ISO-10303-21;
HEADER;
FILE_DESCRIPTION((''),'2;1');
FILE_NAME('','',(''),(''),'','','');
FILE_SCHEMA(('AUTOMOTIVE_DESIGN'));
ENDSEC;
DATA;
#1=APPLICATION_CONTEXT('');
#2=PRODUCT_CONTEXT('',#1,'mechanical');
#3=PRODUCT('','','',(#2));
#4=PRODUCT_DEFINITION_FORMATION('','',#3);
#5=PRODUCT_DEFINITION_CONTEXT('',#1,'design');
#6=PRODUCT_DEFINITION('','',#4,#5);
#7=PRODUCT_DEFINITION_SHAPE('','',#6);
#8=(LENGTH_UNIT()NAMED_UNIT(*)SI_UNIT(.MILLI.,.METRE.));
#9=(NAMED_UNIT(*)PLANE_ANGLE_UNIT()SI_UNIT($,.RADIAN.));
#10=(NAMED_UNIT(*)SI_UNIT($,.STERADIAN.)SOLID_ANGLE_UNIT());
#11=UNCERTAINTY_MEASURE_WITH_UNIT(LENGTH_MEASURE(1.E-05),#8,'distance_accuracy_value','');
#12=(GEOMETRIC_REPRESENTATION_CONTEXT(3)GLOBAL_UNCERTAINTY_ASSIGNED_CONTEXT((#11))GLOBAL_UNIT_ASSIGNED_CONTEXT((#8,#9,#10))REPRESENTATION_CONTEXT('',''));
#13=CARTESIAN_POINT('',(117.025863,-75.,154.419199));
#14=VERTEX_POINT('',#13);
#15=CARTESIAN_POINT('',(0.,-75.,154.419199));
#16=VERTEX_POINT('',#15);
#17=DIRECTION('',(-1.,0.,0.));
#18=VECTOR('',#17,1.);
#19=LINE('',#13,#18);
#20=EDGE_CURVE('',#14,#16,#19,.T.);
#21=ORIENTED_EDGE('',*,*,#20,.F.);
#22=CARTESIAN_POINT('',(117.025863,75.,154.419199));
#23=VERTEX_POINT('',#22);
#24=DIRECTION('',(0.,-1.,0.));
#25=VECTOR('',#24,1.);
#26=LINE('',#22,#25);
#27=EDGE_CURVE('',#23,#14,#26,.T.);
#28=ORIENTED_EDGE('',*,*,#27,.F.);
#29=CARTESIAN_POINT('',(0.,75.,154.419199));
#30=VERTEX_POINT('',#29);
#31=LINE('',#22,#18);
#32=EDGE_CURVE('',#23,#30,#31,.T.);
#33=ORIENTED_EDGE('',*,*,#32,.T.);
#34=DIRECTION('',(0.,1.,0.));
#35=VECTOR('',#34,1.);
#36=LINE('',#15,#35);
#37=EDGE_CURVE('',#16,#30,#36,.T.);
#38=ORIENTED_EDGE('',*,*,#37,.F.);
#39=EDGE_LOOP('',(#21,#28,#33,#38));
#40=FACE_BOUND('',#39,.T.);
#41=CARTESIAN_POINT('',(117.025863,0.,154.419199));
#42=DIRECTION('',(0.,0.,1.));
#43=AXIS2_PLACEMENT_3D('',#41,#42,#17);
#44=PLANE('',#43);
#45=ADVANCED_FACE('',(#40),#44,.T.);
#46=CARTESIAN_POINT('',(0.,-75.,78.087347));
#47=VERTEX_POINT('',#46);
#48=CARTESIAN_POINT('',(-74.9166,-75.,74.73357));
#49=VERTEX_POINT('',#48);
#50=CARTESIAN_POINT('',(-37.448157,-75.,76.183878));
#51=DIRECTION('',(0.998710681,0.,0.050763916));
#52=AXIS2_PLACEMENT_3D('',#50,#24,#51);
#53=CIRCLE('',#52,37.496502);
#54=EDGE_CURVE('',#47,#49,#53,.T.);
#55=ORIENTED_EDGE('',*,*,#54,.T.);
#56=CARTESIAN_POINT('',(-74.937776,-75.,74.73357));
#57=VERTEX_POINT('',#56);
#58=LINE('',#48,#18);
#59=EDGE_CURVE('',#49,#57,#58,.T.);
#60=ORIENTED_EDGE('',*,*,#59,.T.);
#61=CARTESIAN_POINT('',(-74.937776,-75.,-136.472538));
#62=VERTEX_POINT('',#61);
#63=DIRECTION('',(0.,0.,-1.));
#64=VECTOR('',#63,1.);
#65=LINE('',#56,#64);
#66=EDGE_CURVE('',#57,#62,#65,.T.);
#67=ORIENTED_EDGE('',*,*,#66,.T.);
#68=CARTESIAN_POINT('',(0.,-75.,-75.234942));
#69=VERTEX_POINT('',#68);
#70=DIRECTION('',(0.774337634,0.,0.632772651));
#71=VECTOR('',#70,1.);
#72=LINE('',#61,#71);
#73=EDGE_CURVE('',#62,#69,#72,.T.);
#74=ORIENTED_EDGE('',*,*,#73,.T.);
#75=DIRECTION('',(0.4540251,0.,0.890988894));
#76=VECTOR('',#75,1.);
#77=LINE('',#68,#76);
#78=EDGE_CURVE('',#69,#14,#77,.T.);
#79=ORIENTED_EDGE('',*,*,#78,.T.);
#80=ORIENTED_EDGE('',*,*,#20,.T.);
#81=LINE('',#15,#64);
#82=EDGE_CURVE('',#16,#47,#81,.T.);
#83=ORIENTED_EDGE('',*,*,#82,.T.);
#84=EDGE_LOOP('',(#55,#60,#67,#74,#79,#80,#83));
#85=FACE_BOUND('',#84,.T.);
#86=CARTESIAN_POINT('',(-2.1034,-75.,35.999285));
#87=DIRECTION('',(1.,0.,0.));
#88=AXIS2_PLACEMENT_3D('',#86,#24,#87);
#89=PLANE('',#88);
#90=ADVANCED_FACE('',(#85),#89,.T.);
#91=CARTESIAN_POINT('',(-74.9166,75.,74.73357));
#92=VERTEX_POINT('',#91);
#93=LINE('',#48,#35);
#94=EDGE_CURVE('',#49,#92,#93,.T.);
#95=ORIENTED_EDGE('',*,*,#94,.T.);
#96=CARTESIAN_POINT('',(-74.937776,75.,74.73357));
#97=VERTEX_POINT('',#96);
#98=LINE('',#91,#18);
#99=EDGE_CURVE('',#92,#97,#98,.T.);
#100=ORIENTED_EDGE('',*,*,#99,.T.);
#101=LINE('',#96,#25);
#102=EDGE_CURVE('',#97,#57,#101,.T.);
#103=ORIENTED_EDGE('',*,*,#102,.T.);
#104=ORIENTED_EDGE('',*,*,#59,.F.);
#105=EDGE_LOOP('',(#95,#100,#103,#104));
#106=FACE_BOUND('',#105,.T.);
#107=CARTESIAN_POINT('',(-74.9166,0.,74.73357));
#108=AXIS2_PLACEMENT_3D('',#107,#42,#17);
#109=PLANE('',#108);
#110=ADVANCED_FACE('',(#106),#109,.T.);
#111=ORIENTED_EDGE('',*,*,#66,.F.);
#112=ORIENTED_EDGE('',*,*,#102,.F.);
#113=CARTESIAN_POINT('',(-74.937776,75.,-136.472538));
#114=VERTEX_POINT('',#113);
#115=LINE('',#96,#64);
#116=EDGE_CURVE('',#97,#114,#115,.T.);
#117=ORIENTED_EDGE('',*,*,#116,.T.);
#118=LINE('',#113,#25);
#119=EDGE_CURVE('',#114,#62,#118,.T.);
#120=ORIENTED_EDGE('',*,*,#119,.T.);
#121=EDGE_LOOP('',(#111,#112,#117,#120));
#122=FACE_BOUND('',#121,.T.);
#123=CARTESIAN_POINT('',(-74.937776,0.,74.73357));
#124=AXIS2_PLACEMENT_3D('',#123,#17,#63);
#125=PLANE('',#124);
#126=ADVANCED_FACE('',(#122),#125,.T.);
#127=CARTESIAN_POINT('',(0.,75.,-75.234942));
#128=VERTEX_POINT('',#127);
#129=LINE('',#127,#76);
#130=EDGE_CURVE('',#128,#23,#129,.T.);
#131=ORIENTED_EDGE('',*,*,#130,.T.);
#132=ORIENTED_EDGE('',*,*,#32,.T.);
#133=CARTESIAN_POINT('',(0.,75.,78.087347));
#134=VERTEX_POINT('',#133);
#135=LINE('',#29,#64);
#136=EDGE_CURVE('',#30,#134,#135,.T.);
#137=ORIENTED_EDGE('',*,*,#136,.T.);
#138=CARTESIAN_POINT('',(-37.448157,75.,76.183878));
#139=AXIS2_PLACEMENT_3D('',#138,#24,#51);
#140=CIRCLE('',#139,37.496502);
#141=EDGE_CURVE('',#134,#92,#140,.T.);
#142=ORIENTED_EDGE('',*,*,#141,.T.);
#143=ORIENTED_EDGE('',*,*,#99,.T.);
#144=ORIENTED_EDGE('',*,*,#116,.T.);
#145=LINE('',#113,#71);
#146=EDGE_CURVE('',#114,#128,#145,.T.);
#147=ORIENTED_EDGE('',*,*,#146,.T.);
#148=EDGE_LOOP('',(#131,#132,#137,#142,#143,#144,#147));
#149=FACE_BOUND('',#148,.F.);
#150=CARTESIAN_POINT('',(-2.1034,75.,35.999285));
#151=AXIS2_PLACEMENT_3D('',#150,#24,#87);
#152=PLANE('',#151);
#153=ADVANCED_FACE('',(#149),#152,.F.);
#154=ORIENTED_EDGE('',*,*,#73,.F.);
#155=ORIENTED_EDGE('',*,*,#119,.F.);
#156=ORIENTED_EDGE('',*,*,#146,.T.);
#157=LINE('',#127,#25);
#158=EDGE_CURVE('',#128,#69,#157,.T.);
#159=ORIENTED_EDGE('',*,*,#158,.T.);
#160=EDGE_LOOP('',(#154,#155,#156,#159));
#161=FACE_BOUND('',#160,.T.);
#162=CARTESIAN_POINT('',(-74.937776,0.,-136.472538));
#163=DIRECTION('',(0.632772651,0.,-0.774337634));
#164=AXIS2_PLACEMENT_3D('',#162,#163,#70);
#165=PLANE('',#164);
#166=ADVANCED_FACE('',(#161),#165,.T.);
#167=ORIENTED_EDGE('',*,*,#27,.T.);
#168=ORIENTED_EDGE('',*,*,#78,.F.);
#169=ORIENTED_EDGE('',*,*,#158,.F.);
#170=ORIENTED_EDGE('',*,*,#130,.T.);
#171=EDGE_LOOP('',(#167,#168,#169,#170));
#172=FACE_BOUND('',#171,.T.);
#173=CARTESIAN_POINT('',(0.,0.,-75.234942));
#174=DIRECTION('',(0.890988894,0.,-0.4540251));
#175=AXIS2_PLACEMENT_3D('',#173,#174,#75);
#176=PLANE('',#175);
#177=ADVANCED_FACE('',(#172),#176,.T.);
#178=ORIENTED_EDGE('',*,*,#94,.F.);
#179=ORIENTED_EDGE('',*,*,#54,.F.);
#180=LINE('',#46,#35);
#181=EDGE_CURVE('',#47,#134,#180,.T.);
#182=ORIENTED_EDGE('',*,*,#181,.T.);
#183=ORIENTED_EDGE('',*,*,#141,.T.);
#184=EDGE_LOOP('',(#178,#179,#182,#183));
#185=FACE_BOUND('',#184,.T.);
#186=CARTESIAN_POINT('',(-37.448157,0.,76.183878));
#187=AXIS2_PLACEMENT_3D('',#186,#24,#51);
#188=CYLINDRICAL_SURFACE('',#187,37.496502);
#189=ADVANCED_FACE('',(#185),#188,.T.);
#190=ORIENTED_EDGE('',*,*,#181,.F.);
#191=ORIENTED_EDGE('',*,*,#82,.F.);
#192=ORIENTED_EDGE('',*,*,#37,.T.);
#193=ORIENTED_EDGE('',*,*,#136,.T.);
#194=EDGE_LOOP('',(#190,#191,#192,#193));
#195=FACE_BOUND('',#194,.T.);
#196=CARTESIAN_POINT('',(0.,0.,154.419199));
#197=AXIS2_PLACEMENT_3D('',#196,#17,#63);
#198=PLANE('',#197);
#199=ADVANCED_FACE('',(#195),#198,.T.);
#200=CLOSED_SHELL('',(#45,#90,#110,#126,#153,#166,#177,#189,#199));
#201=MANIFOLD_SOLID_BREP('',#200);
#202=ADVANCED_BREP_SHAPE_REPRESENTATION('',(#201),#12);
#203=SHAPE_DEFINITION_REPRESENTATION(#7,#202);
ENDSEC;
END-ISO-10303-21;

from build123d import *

# Parameters (mm, degrees)
F1_DEPTH = 75


with BuildPart() as f1:
    # F0 (on Front) → F1 (new body, symmetric)
    with BuildSketch(Plane.XZ):
        with BuildLine():
            Line((-74.9166, 74.73357), (-74.937776, 74.73357))
            Line((-74.937776, 74.73357), (-74.937776, -95.969349))
            Line((-74.937776, -95.969349), (-74.937776, -136.472538))
            Line((-74.937776, -136.472538), (0, -75.234942))
            Line((0, -75.234942), (117.025863, 154.419199))
            Line((117.025863, 154.419199), (0, 154.419199))
            Line((0, 154.419199), (0, 78.087347))
            ThreePointArc((0, 78.087347), (-39.125076, 113.642863), (-74.9166, 74.73357))
        make_face()
    extrude(amount=F1_DEPTH, both=True)


solid = f1.part
